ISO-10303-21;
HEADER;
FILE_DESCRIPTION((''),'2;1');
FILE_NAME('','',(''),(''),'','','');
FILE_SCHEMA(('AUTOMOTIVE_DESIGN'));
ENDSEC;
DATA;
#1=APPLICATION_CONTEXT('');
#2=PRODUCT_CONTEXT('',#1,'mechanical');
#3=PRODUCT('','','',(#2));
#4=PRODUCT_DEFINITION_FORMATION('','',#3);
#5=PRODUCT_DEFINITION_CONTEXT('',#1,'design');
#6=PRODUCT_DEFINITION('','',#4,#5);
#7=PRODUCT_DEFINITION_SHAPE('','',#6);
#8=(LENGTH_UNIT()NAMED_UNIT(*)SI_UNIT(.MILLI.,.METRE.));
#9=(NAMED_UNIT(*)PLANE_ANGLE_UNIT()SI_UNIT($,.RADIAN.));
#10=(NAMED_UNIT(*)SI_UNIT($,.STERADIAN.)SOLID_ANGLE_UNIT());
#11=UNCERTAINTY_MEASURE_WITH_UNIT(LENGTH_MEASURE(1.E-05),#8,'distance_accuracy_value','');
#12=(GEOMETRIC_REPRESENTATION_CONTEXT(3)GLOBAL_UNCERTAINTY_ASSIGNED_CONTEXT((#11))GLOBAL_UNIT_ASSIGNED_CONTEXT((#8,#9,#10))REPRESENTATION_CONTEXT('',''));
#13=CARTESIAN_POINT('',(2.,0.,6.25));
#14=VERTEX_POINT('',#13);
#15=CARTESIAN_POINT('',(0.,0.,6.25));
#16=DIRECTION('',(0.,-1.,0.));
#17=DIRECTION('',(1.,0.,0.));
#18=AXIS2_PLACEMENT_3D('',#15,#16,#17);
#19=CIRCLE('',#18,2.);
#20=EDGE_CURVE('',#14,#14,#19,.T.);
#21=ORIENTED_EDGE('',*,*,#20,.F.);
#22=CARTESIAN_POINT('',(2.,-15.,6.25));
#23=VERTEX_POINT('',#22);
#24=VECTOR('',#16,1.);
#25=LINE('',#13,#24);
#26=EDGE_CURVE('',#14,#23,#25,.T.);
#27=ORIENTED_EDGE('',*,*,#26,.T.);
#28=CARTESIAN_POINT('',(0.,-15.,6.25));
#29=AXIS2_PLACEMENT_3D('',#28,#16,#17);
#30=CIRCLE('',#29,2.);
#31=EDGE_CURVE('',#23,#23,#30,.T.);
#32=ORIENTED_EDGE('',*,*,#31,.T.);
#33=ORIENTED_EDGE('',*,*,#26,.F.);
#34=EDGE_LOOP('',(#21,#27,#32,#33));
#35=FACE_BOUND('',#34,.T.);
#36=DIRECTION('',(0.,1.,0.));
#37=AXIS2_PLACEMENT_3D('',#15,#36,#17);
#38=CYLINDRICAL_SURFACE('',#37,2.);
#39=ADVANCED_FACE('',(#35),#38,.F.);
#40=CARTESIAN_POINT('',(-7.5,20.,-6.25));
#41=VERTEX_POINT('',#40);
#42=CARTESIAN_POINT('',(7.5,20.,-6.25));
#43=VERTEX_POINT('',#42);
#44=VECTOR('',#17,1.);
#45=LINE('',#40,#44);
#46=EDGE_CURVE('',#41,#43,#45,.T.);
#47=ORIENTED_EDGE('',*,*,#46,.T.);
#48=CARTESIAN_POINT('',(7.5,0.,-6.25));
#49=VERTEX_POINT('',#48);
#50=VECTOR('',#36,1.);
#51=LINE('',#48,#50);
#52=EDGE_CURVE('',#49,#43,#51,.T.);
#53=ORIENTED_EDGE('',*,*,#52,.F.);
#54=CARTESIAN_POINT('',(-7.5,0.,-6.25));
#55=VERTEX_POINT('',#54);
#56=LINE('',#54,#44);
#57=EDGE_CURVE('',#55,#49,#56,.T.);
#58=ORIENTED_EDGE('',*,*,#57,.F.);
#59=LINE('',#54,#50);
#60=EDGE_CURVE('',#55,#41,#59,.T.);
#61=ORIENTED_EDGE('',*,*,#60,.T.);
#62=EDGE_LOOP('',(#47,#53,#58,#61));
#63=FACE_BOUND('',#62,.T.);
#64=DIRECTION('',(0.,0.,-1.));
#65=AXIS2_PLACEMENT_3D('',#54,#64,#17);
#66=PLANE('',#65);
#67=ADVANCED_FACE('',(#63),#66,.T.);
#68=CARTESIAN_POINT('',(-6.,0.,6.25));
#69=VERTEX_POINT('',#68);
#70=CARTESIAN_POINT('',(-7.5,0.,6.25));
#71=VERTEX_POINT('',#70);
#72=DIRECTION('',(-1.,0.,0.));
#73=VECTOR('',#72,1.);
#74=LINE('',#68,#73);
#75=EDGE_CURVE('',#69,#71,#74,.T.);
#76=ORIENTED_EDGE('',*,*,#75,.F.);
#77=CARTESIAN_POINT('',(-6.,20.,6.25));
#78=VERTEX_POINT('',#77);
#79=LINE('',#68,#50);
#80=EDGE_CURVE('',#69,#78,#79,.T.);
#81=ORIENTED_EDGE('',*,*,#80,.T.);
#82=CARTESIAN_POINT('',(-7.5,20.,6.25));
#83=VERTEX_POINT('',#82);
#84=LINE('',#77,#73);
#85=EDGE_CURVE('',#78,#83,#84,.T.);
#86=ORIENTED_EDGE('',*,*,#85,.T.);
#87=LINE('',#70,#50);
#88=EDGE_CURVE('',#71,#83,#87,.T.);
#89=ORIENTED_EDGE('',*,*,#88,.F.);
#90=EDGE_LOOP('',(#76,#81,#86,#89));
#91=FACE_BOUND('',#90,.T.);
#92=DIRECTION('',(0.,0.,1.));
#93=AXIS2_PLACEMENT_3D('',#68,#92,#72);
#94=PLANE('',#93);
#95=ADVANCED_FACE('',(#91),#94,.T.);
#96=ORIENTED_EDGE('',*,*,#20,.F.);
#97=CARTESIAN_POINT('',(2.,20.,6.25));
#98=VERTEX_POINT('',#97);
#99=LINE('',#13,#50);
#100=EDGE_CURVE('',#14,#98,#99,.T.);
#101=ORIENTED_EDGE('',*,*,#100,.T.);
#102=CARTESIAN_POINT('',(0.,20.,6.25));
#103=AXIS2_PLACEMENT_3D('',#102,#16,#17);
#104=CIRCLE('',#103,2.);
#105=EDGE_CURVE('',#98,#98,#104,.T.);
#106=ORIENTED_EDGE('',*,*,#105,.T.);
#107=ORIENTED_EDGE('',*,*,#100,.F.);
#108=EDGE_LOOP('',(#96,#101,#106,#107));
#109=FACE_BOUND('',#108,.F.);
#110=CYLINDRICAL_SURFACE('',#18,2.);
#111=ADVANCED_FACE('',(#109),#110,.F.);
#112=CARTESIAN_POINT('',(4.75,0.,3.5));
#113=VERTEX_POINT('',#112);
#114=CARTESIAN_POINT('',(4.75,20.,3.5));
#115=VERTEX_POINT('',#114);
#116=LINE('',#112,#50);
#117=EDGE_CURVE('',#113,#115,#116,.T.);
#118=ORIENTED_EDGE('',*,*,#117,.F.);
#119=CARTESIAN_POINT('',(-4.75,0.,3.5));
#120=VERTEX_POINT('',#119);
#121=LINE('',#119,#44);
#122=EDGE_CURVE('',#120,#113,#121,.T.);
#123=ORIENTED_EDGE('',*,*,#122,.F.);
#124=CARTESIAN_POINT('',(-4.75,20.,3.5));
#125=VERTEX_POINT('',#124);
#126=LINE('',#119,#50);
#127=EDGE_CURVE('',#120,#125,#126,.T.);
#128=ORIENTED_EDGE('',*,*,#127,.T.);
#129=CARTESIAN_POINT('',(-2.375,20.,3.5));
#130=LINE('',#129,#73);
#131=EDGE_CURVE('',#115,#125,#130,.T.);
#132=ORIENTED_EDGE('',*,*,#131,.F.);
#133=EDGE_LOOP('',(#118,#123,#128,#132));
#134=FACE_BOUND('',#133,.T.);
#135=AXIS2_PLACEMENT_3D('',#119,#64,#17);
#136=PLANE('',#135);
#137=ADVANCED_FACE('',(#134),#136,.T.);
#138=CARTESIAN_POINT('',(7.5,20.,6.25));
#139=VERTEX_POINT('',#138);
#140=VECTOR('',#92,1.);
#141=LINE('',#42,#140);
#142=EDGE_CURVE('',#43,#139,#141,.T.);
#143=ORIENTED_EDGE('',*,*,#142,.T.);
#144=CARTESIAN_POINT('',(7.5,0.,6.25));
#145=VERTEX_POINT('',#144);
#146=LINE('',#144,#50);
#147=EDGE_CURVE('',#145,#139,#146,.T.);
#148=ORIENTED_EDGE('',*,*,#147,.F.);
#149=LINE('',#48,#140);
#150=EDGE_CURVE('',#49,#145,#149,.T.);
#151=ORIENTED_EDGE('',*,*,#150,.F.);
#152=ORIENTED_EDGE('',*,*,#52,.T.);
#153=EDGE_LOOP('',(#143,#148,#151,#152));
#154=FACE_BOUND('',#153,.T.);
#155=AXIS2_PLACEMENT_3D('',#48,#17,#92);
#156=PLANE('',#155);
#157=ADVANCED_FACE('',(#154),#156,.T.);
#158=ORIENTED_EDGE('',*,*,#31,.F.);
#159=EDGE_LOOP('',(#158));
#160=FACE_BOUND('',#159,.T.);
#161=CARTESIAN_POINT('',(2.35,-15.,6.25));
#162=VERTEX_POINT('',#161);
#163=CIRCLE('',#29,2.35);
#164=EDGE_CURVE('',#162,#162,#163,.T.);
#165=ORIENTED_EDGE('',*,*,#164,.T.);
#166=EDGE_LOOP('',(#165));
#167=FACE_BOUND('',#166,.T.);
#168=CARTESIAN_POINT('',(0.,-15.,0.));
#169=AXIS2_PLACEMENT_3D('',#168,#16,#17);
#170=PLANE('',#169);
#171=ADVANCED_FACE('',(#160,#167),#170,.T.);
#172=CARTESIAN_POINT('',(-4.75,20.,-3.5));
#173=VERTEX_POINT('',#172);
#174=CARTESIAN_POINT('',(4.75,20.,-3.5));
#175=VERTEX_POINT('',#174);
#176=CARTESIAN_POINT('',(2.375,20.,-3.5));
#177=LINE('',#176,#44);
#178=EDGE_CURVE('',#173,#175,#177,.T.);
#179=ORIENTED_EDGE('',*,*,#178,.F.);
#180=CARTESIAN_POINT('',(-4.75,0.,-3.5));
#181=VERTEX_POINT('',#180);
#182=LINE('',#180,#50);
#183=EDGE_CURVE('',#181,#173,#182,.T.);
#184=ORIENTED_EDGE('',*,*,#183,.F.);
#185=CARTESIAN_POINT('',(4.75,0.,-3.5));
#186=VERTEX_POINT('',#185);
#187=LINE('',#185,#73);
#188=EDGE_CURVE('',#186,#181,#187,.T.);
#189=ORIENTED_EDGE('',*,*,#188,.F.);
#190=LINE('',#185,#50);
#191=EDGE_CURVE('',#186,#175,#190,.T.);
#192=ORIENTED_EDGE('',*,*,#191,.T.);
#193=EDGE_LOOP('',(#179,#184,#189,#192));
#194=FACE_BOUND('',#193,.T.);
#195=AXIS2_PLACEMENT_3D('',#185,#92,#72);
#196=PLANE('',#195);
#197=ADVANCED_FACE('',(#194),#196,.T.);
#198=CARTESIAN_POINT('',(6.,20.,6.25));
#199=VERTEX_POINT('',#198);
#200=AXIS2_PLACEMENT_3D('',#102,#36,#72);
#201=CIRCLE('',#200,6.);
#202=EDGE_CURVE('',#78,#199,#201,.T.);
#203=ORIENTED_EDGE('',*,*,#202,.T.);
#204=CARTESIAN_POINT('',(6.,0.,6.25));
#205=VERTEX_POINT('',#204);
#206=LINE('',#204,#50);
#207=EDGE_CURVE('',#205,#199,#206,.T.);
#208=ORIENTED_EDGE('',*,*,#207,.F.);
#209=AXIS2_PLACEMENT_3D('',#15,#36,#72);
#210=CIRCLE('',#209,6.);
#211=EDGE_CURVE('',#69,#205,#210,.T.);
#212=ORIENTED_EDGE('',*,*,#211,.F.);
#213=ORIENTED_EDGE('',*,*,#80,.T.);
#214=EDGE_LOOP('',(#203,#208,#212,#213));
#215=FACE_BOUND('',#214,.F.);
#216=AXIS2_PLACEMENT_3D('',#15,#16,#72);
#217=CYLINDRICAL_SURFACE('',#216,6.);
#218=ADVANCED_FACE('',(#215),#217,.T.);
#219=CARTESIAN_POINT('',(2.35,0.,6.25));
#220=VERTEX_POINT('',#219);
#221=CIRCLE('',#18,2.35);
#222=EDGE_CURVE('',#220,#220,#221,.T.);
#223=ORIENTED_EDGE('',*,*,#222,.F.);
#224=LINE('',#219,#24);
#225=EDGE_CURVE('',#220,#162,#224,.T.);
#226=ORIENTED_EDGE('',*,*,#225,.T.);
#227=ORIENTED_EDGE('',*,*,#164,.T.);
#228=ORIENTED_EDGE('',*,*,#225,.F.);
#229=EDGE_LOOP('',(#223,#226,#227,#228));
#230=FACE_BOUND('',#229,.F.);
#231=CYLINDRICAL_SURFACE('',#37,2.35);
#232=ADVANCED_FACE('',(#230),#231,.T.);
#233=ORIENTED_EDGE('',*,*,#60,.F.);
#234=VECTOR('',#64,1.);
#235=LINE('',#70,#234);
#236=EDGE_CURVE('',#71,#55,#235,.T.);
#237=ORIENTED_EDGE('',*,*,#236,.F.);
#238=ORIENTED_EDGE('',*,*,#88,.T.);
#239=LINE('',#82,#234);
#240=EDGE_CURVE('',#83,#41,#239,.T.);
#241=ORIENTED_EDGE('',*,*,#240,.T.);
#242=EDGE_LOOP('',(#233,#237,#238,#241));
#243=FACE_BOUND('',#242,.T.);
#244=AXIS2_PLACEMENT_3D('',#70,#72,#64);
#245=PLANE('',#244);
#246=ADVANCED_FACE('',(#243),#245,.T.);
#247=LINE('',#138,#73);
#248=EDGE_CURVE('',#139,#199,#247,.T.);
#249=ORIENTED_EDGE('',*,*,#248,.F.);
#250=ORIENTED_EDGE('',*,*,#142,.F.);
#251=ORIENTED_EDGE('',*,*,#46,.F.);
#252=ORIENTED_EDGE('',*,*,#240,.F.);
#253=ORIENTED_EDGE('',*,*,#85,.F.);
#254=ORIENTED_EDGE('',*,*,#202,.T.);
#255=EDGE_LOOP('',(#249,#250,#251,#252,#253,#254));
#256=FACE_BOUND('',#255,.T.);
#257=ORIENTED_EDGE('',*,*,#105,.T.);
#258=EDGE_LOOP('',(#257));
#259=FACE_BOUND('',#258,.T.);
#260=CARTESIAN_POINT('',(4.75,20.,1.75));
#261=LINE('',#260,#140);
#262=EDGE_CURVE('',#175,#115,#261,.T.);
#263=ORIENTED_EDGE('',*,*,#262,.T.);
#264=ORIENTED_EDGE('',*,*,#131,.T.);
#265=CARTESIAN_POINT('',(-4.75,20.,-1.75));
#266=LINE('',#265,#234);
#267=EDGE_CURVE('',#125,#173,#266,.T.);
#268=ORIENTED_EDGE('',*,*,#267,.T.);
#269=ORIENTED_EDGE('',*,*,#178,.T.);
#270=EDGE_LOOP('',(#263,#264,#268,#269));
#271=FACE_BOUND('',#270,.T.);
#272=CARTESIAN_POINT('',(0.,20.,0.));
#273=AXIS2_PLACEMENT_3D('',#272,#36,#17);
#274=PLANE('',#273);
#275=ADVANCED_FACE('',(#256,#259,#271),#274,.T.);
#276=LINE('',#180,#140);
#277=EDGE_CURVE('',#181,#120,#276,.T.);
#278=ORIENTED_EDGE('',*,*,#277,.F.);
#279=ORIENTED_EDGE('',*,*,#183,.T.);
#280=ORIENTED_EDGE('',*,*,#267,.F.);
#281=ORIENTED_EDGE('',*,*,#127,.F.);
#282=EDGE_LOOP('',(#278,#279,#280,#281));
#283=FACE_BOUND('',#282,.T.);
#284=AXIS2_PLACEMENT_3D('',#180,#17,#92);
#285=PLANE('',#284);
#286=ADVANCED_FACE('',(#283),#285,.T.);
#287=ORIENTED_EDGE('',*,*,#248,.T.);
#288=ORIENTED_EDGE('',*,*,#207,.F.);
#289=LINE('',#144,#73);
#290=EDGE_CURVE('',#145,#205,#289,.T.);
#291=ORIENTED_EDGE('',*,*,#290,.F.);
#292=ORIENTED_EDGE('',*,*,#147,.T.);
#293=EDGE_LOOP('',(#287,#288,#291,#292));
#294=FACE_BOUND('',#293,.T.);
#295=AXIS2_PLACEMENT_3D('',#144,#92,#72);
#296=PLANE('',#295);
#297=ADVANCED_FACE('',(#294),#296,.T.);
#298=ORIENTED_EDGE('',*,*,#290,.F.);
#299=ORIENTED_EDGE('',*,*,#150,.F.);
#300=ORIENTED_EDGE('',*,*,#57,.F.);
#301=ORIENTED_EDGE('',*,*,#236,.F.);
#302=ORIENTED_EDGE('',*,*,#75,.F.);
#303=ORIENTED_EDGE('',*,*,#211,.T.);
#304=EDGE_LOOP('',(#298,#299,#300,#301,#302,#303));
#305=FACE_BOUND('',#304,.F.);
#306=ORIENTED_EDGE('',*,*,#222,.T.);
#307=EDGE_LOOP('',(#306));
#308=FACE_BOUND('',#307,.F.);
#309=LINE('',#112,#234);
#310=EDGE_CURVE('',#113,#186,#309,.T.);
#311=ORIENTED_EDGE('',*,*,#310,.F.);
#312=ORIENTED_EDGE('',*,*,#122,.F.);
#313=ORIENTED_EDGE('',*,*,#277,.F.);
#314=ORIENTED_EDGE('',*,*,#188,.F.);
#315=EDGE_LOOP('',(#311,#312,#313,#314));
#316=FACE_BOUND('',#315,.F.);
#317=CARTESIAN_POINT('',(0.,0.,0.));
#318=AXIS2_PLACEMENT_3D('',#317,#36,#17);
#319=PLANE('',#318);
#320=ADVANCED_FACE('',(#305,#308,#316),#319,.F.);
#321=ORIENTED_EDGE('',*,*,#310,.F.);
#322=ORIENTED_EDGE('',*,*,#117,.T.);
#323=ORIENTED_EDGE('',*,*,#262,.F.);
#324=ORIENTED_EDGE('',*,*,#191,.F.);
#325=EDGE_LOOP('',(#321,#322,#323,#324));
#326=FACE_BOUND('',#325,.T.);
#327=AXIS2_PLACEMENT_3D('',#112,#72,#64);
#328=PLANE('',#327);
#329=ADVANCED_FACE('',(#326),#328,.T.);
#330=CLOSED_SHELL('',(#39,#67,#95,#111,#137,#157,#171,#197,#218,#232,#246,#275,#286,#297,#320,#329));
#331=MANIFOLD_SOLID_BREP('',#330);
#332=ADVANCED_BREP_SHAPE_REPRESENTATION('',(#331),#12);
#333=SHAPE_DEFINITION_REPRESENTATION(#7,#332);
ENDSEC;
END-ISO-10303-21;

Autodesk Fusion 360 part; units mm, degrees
sketch "Sketch1" plane through (0, 0, 0) normal (0, 1, 0) x (1, 0, 0)
  line L0 (-7.5, 6.25) -> (7.5, 6.25)
  line L1 (7.5, 6.25) -> (7.5, -6.25)
  line L2 (-7.5, -6.25) -> (-7.5, 6.25)
  line L3 (-7.5, 6.25) -> (7.5, -6.25) construction
  line L4 (7.5, 6.25) -> (-7.5, -6.25) construction
  line L5 (7.5, -6.25) -> (6, -6.25)
  line L6 (-6, -6.25) -> (-7.5, -6.25)
  arc A0 (-6, -6.25) -> (6, -6.25) centre (0, -6.25) ccw
  arc A1 (0.3096, -0.258) -> (-0.3096, -0.258) centre (0, -6.25) ccw
  dimension "d1" = 15
  dimension "d2" = 12.5
  dimension "d3" = 12
extrude "Extrude1" add sketch "Sketch1" along normal blind 20
sketch "Sketch2" plane through (0, 0, 0) normal (0, -1, 0) x (1, 0, 0)
  line L0 (-6, 6.25) -> (-7.5, 6.25)
  line L1 (-7.5, 6.25) -> (-7.5, -6.25)
  line L2 (-7.5, -6.25) -> (7.5, -6.25)
  line L3 (7.5, -6.25) -> (7.5, 6.25)
  line L4 (7.5, 6.25) -> (6, 6.25)
  arc A0 (6, 6.25) -> (-6, 6.25) centre (0, 6.25) ccw
  line L5 (4.75, -3.5) -> (-4.75, -3.5)
  line L6 (-4.75, -3.5) -> (-4.75, 3.5)
  line L7 (-4.75, 3.5) -> (4.75, 3.5)
  line L8 (4.75, 3.5) -> (4.75, -3.5)
  line L9 (4.75, -3.5) -> (-4.75, 3.5) construction
  line L10 (-4.75, -3.5) -> (4.75, 3.5) construction
  dimension "d6" = 9.5
  dimension "d7" = 7
extrude "Extrude2" cut sketch "Sketch2" against normal blind 39 contours L5 L6 L7 L8
sketch "Sketch3" plane through (0, 0, 0) normal (0, -1, 0) x (1, 0, 0)
  line L0 (-4.75, -3.5) -> (-4.75, 3.5)
  line L1 (-4.75, 3.5) -> (4.75, 3.5)
  line L2 (4.75, 3.5) -> (4.75, -3.5)
  line L3 (4.75, -3.5) -> (-4.75, -3.5)
  line L4 (-6, 6.25) -> (-7.5, 6.25)
  line L5 (-7.5, 6.25) -> (-7.5, -6.25)
  line L6 (-7.5, -6.25) -> (7.5, -6.25)
  line L7 (7.5, -6.25) -> (7.5, 6.25)
  line L8 (7.5, 6.25) -> (6, 6.25)
  arc A0 (6, 6.25) -> (-6, 6.25) centre (0, 6.25) ccw
  circle A1 centre (0, 6.25) radius 2
  dimension "d10" = 4
extrude "Extrude3" cut sketch "Sketch3" against normal blind 30 contours A1
sketch "Sketch4" plane through (0, 0, 0) normal (0, -1, 0) x (1, 0, 0)
  circle A0 centre (0, 6.25) radius 2
  line L0 (-4.75, -3.5) -> (-4.75, 3.5)
  line L1 (-4.75, 3.5) -> (4.75, 3.5)
  line L2 (4.75, 3.5) -> (4.75, -3.5)
  line L3 (4.75, -3.5) -> (-4.75, -3.5)
  line L4 (-6, 6.25) -> (-7.5, 6.25)
  line L5 (-7.5, 6.25) -> (-7.5, -6.25)
  line L6 (-7.5, -6.25) -> (7.5, -6.25)
  line L7 (7.5, -6.25) -> (7.5, 6.25)
  line L8 (7.5, 6.25) -> (6, 6.25)
  arc A1 (6, 6.25) -> (-6, 6.25) centre (0, 6.25) ccw
  circle A2 centre (0, 6.25) radius 2.35
  dimension "d13" = 0.35
extrude "Extrude4" add sketch "Sketch4" along normal blind 15 contours A2
